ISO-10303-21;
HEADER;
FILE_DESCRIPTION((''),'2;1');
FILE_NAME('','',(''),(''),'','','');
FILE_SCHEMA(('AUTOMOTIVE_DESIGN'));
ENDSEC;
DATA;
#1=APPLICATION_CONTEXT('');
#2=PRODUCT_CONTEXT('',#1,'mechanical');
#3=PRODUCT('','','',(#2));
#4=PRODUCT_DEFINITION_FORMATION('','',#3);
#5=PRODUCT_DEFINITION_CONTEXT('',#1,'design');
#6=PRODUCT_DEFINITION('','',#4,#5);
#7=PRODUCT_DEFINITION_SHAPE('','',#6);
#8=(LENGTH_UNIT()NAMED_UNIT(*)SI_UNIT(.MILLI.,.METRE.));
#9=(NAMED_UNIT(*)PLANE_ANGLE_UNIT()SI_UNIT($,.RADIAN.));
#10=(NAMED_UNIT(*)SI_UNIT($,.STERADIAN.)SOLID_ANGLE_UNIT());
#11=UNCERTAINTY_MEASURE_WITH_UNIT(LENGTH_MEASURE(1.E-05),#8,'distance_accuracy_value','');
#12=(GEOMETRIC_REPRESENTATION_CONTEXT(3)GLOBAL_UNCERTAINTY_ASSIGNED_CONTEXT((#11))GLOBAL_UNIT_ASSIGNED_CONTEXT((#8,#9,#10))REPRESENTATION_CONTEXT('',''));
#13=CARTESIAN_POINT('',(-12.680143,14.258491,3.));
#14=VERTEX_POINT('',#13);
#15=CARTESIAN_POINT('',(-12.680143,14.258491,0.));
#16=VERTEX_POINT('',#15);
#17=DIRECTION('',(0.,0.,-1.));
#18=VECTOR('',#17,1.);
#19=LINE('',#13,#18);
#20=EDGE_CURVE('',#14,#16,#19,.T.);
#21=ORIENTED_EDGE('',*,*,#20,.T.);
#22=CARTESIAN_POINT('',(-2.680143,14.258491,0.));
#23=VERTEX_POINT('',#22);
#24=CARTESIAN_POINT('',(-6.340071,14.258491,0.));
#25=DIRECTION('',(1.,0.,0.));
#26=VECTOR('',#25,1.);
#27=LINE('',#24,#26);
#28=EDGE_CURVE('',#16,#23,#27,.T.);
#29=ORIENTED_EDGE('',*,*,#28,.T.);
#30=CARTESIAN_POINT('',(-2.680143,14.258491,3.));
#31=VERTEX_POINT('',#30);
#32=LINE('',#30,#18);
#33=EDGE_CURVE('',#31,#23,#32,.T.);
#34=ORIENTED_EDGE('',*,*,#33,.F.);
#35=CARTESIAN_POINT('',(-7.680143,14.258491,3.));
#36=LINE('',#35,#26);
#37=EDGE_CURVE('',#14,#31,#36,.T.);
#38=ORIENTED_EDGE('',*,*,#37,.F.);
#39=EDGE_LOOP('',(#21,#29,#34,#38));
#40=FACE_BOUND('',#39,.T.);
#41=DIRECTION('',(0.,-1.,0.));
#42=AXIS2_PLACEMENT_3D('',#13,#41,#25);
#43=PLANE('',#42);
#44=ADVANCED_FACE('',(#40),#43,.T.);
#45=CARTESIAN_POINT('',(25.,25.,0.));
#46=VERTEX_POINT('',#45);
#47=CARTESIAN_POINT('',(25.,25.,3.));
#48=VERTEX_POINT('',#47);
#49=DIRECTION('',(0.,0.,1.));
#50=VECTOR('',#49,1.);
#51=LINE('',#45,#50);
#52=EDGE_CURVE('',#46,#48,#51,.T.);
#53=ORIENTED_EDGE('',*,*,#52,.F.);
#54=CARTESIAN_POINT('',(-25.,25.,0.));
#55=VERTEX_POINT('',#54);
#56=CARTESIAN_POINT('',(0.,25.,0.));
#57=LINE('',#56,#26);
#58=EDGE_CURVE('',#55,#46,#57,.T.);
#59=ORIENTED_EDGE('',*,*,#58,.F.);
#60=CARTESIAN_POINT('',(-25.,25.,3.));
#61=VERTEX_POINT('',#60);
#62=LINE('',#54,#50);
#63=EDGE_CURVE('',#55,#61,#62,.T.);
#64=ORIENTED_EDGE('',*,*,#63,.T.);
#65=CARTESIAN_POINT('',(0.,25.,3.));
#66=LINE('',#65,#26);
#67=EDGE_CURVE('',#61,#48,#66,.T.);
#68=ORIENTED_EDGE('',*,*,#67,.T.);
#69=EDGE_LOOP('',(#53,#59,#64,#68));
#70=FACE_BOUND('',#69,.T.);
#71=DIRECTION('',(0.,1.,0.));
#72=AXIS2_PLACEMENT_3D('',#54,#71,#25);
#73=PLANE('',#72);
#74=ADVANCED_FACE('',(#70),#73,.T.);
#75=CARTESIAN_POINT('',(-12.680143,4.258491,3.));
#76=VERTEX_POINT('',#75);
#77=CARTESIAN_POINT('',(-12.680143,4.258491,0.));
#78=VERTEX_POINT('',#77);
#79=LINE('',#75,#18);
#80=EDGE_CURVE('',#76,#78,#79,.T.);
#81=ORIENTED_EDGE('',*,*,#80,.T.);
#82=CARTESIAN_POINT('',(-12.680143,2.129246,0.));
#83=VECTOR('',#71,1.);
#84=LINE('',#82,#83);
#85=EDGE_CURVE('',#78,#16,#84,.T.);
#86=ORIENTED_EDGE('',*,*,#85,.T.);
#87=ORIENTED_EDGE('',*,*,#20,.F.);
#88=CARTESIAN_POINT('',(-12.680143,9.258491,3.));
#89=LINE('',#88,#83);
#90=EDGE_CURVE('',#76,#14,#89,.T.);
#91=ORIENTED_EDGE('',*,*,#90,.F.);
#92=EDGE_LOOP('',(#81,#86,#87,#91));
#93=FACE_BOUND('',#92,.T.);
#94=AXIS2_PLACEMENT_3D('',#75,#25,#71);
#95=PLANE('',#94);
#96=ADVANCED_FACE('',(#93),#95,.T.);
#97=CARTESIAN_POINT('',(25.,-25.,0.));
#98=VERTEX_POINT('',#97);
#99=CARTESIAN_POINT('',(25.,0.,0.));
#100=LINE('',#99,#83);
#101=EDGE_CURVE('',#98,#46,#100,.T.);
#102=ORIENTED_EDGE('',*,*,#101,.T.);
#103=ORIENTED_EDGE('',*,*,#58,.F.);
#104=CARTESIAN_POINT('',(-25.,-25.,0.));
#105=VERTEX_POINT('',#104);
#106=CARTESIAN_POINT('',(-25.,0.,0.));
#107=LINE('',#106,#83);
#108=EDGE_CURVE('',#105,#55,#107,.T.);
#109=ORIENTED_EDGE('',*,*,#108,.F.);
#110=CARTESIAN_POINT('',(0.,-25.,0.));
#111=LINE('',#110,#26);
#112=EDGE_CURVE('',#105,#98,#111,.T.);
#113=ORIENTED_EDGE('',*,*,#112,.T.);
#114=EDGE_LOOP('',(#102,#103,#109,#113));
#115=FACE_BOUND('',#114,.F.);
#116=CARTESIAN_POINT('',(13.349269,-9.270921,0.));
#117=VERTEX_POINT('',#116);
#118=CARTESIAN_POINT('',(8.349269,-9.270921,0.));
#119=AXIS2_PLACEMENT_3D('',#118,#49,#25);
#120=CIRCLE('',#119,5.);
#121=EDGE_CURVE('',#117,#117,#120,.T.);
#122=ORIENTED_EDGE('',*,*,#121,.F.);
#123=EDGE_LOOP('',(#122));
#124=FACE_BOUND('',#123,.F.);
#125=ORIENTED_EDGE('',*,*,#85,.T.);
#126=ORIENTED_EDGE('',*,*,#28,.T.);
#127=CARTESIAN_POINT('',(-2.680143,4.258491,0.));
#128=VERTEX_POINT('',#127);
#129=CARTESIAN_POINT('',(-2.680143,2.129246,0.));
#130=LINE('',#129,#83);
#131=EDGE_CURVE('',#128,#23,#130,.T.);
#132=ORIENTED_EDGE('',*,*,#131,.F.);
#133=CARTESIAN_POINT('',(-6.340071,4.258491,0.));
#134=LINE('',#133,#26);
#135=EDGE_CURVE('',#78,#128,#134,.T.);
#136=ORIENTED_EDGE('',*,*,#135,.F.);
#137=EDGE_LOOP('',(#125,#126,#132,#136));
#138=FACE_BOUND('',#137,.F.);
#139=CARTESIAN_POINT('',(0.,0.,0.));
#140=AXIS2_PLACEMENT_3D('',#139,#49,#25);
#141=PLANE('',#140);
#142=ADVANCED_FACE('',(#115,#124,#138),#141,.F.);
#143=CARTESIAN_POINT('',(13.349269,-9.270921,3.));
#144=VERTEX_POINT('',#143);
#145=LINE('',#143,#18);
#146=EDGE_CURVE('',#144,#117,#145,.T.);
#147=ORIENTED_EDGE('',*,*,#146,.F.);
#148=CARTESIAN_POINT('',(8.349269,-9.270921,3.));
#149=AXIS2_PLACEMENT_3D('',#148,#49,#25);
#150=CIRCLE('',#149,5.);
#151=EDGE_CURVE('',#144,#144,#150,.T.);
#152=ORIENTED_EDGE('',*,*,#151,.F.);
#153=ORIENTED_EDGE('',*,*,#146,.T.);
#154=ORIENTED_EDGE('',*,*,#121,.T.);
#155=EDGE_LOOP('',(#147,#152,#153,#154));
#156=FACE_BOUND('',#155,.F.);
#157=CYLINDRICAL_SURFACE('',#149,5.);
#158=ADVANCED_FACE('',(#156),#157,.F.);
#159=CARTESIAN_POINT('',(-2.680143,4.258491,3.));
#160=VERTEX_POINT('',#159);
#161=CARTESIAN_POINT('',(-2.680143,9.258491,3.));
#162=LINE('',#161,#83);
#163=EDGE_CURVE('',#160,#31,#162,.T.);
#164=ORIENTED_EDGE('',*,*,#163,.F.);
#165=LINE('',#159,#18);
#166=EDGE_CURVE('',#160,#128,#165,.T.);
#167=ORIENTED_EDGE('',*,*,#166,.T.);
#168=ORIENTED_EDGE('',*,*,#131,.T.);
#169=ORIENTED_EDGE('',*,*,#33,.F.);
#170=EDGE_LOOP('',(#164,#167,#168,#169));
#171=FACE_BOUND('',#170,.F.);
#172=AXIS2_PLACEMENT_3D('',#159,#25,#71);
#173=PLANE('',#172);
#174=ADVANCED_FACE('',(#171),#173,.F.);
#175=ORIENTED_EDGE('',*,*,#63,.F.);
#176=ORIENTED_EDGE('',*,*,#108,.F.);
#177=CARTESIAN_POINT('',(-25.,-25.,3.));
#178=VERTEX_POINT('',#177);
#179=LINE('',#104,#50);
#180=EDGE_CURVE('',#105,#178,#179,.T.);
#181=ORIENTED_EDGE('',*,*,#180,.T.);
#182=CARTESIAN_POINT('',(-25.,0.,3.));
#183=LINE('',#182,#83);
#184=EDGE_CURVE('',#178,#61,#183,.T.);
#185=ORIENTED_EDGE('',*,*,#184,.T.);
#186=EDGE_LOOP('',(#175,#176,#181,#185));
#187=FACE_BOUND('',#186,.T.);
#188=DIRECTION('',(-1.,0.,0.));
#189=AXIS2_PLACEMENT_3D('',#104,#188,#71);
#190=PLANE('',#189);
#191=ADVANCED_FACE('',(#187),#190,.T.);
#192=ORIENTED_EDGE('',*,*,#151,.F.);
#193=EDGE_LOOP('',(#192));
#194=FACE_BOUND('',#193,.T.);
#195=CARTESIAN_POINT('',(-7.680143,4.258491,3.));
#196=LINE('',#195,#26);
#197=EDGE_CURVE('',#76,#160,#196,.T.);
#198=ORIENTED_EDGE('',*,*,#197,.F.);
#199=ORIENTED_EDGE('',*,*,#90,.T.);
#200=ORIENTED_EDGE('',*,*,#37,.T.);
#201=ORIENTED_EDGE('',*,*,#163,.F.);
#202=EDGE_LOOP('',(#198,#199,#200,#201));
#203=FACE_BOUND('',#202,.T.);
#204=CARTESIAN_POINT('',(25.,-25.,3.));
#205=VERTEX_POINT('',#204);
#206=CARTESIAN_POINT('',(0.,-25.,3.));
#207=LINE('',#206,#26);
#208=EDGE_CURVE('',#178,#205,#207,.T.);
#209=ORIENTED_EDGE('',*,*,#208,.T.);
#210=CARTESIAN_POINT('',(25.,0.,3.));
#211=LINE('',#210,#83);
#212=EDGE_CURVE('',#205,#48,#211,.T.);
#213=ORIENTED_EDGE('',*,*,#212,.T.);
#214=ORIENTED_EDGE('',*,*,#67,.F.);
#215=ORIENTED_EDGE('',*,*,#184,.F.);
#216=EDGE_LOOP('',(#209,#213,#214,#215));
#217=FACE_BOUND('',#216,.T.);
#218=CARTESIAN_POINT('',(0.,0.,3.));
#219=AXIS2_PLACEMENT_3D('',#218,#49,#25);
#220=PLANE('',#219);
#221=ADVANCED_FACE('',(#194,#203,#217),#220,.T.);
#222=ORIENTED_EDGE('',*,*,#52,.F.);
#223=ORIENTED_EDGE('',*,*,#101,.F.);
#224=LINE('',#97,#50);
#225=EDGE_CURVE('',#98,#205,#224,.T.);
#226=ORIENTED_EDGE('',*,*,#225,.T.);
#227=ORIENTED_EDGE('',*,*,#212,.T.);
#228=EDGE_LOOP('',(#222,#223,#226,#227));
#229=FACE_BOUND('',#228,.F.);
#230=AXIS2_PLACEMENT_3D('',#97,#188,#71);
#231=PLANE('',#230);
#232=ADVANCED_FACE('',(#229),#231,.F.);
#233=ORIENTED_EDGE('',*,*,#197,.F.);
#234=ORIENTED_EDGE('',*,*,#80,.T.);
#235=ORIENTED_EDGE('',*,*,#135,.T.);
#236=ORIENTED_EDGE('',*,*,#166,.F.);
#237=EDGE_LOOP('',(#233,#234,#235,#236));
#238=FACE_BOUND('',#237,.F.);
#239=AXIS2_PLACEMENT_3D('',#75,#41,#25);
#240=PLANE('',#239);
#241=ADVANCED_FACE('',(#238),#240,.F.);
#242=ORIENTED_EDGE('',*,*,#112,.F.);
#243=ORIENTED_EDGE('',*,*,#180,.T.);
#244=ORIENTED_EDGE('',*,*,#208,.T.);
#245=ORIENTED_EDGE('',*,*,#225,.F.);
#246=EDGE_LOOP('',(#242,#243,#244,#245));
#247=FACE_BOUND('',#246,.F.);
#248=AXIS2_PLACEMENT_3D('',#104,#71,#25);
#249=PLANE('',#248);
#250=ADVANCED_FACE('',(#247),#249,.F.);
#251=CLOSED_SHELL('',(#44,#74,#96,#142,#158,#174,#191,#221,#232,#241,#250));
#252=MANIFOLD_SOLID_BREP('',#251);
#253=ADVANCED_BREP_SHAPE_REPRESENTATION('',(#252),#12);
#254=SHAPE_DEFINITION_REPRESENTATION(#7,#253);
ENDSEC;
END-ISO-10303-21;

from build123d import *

# Parameters (mm, degrees)
F0_W     = 50
F0_H     = 50
F1_DEPTH = 3
F2_W     = 10
F2_H     = 10
F2_R     = 5
F3_DEPTH = 5


with BuildPart() as f1:
    # F0 (on Top) → F1 (new body)
    with BuildSketch(Plane.XY):
        Rectangle(F0_W, F0_H)
    extrude(amount=F1_DEPTH)

    # F2 (on face) → F3 (cut)
    with BuildSketch(Plane.XY.offset(3)):
        with Locations((-7.680143, 9.258491)):
            Rectangle(F2_W, F2_H)
        with Locations((8.349269, -9.270921)):
            Circle(F2_R)
    extrude(amount=-F3_DEPTH, mode=Mode.SUBTRACT)


solid = f1.part
